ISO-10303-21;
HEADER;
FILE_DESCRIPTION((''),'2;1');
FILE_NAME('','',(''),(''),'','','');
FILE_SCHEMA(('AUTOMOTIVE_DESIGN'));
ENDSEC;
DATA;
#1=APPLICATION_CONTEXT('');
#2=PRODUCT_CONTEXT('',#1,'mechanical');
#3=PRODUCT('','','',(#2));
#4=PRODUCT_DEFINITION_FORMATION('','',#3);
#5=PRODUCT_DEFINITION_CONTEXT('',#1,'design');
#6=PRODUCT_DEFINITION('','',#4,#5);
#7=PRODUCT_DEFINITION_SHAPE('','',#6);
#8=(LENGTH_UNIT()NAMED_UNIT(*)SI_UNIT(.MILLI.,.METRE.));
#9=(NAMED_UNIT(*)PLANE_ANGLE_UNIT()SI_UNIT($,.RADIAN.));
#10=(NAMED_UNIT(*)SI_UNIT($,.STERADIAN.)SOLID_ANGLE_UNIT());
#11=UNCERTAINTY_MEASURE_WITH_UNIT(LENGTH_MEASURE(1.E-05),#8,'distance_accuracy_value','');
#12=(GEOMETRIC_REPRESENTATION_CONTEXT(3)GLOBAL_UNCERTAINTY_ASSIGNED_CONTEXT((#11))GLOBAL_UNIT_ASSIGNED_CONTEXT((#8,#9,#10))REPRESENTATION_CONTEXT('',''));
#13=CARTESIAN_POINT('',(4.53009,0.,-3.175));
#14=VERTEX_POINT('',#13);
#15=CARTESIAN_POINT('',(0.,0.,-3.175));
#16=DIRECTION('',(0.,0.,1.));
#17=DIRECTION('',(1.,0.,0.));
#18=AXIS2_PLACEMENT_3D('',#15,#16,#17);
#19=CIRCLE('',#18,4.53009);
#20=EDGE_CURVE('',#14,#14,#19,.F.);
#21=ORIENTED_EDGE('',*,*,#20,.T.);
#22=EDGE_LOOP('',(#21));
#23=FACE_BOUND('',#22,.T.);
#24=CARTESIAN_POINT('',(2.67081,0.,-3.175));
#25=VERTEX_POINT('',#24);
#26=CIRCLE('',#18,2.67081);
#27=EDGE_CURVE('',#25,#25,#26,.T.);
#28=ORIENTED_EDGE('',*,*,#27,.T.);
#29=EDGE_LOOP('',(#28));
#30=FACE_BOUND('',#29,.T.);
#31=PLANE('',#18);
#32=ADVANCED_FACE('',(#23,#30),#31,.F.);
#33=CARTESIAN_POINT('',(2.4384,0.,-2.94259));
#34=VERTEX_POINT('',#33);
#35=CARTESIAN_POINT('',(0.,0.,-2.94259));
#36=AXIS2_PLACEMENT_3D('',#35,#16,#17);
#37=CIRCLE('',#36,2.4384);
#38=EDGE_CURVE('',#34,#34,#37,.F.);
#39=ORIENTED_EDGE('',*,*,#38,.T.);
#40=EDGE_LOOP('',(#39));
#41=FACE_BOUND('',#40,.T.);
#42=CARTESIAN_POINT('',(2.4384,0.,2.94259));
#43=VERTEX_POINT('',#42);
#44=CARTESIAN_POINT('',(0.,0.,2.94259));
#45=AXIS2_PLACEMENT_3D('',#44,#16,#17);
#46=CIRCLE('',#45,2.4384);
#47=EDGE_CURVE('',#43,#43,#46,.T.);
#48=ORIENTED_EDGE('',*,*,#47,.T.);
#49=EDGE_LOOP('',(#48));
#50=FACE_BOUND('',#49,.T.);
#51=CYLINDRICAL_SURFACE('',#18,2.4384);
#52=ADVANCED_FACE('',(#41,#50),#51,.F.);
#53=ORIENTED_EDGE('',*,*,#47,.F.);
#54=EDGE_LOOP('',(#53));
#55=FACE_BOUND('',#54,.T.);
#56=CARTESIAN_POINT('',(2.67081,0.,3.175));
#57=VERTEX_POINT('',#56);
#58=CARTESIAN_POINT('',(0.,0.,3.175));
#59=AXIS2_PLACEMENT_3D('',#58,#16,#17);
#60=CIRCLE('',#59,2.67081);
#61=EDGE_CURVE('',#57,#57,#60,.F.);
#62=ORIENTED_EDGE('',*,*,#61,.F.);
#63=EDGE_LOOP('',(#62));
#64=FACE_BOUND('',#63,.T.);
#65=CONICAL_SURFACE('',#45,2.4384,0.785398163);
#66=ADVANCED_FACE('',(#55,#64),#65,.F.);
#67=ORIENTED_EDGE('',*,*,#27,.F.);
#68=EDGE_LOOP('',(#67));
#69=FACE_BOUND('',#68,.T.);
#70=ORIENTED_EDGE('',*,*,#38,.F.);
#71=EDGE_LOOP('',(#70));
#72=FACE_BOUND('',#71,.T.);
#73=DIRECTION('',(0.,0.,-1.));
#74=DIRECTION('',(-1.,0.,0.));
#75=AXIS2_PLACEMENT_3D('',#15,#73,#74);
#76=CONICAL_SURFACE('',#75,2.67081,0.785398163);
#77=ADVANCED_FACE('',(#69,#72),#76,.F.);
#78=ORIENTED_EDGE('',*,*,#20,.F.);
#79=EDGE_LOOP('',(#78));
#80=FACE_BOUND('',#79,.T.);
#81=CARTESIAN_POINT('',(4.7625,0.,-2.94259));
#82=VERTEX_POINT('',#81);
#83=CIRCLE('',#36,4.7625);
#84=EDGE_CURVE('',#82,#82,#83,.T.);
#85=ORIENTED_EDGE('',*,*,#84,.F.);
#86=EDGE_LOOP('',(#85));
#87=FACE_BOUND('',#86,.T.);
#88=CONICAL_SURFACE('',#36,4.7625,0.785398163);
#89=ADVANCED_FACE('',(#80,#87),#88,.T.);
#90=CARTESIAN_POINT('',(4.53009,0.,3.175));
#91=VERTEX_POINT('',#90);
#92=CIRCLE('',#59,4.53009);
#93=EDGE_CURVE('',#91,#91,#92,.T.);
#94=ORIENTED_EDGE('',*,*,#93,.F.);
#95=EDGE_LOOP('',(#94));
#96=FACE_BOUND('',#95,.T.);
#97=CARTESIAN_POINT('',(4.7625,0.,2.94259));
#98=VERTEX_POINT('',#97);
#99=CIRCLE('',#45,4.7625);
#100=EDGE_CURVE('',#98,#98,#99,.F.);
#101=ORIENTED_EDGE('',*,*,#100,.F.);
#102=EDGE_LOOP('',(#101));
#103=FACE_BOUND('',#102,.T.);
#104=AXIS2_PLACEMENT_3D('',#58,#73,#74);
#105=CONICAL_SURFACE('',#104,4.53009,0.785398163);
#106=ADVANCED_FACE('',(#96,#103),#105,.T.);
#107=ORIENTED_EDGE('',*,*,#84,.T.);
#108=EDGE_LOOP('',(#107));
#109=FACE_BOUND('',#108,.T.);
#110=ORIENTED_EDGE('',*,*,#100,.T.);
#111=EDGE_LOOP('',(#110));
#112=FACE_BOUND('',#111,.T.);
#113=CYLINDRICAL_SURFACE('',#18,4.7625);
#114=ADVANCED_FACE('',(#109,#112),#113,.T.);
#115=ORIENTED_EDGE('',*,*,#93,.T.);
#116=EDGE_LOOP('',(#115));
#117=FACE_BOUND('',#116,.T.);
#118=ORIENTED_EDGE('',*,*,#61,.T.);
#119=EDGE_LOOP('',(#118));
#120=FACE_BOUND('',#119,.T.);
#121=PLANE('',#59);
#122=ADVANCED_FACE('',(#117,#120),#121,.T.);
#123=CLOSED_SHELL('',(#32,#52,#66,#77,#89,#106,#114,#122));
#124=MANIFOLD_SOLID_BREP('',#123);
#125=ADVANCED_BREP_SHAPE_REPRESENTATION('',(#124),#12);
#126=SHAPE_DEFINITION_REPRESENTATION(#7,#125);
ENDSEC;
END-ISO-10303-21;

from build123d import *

# Parameters (mm, degrees)
BOSS_EXTRUDE1_DEPTH      = 3.175
BOSS_EXTRUDE1_DEPTH_BACK = 3.175
SKETCH3_R                = 4.7625
SKETCH3_R_2              = 2.4384
CHAMFER1_SIZE            = 0.23241


with BuildPart() as part:
    # Sketch3 → Boss-Extrude1 (new, two sides: drawn at the far end of the back side and taken through both)
    with BuildSketch(Plane.XY.offset(-BOSS_EXTRUDE1_DEPTH_BACK)):
        Circle(SKETCH3_R)
        Circle(SKETCH3_R_2, mode=Mode.SUBTRACT)
    extrude(amount=BOSS_EXTRUDE1_DEPTH + BOSS_EXTRUDE1_DEPTH_BACK)

    # Chamfer1
    chamfer1_edges = [part.edges().sort_by_distance(p)[0] for p in [
        (-4.7625, 0, -3.175),
        (-2.4384, 0, -3.175),
        (-4.7625, 0, 3.175),
        (-2.4384, 0, 3.175),
    ]]
    chamfer(chamfer1_edges, length=CHAMFER1_SIZE)


solid = part.part
